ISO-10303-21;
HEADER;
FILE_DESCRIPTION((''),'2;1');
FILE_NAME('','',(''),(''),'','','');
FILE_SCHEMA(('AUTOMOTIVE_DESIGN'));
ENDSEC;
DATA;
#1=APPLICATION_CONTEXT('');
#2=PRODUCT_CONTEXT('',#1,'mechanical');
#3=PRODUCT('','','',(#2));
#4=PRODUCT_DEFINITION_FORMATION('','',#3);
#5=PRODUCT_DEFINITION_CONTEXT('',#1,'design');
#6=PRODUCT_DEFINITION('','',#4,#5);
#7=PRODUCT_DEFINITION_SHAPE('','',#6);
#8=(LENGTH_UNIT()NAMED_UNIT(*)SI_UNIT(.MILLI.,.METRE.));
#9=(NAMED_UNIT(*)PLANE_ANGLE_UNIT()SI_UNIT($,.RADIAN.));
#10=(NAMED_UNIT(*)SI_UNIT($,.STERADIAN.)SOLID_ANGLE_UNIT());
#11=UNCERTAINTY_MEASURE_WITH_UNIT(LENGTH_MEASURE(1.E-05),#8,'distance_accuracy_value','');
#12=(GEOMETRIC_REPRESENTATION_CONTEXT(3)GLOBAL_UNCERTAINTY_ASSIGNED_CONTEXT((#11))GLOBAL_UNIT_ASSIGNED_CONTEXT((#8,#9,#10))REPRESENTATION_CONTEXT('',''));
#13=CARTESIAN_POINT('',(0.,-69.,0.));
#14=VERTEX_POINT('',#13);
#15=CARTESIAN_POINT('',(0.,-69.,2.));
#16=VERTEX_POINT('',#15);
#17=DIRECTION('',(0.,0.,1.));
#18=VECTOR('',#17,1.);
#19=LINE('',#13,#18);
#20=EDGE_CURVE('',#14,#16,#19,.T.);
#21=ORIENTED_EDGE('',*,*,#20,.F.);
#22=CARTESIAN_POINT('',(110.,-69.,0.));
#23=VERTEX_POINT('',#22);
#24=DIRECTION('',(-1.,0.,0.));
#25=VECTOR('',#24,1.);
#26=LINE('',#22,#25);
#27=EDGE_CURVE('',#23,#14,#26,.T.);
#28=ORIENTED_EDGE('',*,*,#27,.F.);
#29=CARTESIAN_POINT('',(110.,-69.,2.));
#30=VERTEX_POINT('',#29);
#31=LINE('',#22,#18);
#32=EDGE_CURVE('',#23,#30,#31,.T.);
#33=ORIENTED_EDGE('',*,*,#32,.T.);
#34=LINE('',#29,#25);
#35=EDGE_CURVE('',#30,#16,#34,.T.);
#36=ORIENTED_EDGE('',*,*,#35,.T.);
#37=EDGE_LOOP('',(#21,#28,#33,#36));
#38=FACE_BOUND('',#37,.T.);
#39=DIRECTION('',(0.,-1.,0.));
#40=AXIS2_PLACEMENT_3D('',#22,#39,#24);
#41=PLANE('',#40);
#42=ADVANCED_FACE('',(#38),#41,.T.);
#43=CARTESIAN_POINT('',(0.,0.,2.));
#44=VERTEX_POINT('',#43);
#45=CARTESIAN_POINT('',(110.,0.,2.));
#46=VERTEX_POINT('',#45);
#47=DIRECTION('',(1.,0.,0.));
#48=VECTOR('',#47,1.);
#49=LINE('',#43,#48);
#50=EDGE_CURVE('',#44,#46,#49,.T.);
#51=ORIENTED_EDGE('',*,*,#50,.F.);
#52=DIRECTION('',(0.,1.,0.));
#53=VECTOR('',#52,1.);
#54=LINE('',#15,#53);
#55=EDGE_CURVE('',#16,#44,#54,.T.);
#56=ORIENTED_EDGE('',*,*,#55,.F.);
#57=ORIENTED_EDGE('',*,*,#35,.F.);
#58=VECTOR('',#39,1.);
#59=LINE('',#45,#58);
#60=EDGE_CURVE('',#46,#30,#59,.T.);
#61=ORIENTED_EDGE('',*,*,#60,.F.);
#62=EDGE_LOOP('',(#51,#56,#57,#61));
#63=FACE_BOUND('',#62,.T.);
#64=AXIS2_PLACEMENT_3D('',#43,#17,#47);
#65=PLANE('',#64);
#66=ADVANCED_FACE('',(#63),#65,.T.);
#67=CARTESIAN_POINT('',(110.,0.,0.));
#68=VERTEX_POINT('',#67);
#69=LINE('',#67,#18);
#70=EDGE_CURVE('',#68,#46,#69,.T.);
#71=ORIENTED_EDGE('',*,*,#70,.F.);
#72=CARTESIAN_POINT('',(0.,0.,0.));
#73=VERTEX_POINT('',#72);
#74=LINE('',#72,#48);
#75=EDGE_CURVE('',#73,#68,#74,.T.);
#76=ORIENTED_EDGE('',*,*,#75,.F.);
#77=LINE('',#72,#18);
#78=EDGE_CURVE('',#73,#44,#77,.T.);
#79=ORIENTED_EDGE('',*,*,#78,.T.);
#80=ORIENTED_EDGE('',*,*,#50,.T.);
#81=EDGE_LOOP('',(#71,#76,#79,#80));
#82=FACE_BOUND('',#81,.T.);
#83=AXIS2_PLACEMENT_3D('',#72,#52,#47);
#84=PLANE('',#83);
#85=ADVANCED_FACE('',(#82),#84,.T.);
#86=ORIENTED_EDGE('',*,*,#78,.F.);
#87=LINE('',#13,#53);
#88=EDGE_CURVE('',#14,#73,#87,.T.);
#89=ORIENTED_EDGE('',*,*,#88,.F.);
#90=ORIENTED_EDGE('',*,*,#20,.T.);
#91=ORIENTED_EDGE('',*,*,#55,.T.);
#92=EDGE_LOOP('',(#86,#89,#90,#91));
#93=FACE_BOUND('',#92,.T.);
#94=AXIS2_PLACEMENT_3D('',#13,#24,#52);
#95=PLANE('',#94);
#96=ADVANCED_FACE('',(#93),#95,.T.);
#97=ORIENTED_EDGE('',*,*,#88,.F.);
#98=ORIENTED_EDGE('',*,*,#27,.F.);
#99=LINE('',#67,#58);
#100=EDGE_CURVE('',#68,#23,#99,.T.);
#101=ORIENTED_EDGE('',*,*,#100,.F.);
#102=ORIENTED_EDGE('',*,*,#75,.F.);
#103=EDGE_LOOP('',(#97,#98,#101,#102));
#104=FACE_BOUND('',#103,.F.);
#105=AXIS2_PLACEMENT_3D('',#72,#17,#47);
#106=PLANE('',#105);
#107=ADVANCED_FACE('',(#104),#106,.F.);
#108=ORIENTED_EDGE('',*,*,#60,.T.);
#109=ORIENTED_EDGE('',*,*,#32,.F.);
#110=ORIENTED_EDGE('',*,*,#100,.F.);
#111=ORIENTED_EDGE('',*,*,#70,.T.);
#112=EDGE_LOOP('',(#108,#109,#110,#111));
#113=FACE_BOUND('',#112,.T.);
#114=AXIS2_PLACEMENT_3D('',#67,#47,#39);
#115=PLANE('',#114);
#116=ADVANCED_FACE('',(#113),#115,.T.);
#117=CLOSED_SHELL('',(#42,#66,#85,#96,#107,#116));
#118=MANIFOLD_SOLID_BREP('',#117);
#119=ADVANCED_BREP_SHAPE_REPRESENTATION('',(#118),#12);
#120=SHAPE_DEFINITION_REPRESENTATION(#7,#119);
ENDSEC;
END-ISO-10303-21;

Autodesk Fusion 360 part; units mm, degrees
sketch "Sketch1" plane through (0, 0, 0) normal (0, 0, 1) x (1, 0, 0)
  line L0 (0, 0) -> (110, 0)
  line L1 (110, 0) -> (110, -69)
  line L2 (110, -69) -> (0, -69)
  line L3 (0, -69) -> (0, 0)
  line L4 (54.46, 1.171) -> (87.8779, 1.171) construction
  line L5 (87.8779, 1.171) -> (87.8779, 11.171) construction
  line L6 (87.8779, 11.171) -> (54.46, 11.171) construction
  line L7 (54.46, 11.171) -> (54.46, 1.171) construction
  dimension "d1" = 69
  dimension "d2" = 110
extrude "Extrude1" add sketch "Sketch1" along normal blind 2
